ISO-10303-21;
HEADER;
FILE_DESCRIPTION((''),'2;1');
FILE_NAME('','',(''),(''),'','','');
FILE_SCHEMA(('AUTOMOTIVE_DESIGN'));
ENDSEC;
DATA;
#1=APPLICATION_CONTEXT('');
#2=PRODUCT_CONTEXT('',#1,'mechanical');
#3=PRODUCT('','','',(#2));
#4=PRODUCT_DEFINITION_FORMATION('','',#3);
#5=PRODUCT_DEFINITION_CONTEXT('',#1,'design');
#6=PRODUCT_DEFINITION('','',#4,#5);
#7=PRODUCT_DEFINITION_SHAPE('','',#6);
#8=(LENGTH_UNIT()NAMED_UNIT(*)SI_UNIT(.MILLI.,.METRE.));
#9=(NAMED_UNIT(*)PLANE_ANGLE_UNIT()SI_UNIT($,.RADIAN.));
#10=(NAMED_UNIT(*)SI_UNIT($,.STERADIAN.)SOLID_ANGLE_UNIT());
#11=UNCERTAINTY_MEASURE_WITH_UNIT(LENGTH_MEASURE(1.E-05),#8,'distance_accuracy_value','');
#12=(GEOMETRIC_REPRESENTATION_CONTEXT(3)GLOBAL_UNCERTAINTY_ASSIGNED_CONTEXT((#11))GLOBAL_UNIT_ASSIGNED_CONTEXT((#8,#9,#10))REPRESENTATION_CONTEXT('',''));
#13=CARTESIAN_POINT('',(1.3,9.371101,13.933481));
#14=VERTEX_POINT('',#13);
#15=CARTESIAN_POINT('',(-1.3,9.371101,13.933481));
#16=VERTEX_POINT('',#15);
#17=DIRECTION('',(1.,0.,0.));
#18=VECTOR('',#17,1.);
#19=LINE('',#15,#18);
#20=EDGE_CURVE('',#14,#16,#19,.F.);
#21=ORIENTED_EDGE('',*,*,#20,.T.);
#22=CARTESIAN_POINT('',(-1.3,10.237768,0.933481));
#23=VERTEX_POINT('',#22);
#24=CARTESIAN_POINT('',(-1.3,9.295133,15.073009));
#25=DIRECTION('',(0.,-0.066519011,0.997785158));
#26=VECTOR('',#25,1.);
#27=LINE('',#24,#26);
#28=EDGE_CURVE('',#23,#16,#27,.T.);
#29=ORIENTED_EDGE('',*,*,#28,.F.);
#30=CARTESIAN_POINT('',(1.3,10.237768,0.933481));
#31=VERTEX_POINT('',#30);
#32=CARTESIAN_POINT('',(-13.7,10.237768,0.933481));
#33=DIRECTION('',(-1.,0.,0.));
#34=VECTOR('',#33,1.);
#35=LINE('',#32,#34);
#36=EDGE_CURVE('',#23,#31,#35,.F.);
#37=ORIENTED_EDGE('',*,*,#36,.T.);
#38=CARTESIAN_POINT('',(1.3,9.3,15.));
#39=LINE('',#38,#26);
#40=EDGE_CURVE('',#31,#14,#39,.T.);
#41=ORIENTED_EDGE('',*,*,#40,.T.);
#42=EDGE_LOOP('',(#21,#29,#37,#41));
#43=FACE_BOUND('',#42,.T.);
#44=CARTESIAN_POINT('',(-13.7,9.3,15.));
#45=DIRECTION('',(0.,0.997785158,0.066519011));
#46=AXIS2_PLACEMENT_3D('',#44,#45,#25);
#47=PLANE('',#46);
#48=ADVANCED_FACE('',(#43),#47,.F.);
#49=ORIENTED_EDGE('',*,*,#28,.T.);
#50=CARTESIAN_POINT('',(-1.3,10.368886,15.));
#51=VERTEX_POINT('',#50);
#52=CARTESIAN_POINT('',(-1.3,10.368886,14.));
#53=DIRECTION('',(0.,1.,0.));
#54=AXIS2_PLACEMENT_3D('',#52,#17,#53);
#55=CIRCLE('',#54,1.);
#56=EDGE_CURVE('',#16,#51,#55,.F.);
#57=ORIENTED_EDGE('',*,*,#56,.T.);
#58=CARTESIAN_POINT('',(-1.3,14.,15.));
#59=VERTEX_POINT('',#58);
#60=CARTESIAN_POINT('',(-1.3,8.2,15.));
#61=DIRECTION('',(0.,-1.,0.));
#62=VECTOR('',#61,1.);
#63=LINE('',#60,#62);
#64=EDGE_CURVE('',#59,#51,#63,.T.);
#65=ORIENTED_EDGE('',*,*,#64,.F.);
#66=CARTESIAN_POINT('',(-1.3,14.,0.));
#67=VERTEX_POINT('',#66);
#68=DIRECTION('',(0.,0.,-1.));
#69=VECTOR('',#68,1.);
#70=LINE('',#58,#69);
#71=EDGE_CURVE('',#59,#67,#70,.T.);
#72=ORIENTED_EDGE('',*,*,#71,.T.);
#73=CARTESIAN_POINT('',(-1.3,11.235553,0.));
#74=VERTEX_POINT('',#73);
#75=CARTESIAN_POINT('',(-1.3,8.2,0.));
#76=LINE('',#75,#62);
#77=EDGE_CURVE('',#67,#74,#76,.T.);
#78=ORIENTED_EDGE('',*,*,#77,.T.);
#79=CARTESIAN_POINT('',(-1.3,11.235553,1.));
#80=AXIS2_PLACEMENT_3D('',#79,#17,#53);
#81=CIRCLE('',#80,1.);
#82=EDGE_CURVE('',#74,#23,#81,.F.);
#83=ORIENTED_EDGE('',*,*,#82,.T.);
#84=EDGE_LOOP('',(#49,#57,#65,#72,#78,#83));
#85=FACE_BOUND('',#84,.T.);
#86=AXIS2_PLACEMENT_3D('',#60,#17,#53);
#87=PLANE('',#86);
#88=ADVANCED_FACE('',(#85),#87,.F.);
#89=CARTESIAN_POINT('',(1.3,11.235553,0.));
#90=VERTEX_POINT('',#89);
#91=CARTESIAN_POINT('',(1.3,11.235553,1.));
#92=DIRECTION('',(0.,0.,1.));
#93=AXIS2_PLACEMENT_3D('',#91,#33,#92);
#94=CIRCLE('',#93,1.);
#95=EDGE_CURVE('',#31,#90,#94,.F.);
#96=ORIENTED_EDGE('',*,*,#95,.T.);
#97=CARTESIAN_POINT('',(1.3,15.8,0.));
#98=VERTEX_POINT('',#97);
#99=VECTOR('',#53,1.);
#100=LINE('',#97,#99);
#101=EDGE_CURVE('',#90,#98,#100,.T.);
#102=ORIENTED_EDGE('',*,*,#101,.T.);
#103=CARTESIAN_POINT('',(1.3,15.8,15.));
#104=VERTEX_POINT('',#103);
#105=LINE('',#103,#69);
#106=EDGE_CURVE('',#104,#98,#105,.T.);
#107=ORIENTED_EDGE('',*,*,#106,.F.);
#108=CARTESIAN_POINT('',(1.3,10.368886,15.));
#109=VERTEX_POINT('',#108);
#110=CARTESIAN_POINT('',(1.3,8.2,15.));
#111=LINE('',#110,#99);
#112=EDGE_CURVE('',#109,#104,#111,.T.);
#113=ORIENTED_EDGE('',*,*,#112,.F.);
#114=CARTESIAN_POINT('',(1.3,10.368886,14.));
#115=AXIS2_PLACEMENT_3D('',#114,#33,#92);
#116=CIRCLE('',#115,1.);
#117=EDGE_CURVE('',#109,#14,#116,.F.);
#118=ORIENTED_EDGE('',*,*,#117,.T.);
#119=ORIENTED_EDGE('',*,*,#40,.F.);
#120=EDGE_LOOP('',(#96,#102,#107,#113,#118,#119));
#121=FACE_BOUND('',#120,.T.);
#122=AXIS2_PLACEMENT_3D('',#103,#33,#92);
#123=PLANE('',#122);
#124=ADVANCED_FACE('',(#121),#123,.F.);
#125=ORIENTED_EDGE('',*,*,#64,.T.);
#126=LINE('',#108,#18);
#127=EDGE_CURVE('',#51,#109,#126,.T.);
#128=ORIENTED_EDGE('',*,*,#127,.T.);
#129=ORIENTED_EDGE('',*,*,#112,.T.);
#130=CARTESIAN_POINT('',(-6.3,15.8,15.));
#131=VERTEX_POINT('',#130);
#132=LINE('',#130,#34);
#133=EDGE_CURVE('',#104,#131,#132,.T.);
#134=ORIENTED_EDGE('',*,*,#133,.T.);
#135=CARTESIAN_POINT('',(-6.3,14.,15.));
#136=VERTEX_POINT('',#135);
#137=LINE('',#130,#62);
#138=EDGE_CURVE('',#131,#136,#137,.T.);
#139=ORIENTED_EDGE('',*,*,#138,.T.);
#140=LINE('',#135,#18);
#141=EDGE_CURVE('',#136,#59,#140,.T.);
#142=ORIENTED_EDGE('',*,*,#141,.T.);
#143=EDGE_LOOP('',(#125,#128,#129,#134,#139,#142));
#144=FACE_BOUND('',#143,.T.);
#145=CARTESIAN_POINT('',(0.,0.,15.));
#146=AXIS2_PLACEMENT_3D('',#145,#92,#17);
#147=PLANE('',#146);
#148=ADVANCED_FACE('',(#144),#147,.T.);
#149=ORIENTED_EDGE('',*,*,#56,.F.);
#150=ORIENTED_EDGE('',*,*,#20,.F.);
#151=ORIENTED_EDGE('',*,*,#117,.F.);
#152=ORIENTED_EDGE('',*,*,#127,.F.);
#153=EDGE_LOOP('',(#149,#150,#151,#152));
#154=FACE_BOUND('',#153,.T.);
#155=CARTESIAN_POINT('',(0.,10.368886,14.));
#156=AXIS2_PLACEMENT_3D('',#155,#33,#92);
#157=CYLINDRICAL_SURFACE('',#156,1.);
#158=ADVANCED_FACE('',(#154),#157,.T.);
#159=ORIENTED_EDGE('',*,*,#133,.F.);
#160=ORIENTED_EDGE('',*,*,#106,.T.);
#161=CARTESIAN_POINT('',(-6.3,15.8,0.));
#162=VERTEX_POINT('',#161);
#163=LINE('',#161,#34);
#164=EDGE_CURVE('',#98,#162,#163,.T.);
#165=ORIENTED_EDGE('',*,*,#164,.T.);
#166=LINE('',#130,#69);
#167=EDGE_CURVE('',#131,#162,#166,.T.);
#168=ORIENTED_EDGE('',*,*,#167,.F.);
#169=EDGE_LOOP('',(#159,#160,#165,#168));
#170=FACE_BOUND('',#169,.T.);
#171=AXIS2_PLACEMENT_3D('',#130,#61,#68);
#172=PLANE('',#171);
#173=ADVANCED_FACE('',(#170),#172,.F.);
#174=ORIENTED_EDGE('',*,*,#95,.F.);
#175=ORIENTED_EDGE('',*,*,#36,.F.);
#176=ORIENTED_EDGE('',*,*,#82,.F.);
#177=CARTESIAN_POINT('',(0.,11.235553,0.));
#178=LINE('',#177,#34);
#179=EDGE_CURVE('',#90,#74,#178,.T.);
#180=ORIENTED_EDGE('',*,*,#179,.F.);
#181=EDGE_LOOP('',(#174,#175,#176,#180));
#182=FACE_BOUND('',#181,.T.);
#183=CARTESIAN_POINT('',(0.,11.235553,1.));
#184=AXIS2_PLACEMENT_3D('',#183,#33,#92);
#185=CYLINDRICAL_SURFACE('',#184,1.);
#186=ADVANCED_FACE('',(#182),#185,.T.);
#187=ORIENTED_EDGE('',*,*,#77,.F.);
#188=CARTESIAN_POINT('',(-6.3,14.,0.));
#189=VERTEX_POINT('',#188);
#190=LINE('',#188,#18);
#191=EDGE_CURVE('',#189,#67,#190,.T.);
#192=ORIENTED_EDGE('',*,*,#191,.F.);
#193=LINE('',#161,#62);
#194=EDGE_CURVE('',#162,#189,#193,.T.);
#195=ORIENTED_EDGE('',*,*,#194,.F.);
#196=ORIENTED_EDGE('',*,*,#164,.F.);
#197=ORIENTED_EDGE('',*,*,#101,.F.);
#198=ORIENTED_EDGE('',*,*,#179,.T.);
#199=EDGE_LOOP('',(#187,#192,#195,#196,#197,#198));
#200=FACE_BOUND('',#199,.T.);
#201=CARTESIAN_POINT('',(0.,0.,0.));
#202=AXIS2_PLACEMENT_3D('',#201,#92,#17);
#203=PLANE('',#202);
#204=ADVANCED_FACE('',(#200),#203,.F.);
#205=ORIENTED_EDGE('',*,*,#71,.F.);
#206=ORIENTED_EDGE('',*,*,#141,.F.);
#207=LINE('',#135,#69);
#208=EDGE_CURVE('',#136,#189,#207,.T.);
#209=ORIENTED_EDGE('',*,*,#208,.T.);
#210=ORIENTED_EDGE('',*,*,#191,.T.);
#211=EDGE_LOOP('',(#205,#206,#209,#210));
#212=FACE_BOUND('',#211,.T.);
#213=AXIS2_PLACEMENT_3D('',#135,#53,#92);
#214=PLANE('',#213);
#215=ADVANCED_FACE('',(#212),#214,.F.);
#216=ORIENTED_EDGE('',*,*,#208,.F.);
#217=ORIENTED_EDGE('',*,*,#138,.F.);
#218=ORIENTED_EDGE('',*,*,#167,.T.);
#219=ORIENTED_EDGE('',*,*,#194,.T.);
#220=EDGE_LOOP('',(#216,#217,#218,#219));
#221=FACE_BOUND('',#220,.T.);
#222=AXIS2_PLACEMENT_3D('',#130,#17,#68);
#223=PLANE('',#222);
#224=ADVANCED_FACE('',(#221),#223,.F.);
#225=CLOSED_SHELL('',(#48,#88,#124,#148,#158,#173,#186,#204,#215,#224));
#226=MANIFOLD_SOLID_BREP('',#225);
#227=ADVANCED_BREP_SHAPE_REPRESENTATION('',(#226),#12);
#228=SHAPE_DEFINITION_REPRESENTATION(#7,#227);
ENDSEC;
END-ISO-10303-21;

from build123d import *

# Parameters (mm, degrees)
BOSS_EXTRUDE1_DEPTH = 15
CUT_EXTRUDE1_DEPTH  = 15
FILLET1_R           = 1


with BuildPart() as part:
    # Sketch1 → Boss-Extrude1 (new body)
    with BuildSketch(Plane.XY):
        Polygon((-6.3, 15.8), (1.3, 15.8), (1.3, 13.8), (1.3, 8.2), (-1.3, 8.2), (-1.3, 14), (-6.3, 14), align=None)
    extrude(amount=BOSS_EXTRUDE1_DEPTH)

    # Sketch3 → Cut-Extrude1 (cut)
    with BuildSketch(Plane(origin=(1.3, 0, 0), x_dir=(0, 0, -1), z_dir=(1, 0, 0))):
        Polygon((-15, 9.3), (-15.890506456, 6.842306326), (2.099726504, 7.064407967), (0, 10.3), align=None)
    extrude(amount=-CUT_EXTRUDE1_DEPTH, mode=Mode.SUBTRACT)

    # Fillet1
    fillet1_edges = [part.edges().sort_by_distance(p)[0] for p in [
        (0, 10.3, 0),
        (0, 9.3, 15),
    ]]
    fillet(fillet1_edges, radius=FILLET1_R)


solid = part.part
